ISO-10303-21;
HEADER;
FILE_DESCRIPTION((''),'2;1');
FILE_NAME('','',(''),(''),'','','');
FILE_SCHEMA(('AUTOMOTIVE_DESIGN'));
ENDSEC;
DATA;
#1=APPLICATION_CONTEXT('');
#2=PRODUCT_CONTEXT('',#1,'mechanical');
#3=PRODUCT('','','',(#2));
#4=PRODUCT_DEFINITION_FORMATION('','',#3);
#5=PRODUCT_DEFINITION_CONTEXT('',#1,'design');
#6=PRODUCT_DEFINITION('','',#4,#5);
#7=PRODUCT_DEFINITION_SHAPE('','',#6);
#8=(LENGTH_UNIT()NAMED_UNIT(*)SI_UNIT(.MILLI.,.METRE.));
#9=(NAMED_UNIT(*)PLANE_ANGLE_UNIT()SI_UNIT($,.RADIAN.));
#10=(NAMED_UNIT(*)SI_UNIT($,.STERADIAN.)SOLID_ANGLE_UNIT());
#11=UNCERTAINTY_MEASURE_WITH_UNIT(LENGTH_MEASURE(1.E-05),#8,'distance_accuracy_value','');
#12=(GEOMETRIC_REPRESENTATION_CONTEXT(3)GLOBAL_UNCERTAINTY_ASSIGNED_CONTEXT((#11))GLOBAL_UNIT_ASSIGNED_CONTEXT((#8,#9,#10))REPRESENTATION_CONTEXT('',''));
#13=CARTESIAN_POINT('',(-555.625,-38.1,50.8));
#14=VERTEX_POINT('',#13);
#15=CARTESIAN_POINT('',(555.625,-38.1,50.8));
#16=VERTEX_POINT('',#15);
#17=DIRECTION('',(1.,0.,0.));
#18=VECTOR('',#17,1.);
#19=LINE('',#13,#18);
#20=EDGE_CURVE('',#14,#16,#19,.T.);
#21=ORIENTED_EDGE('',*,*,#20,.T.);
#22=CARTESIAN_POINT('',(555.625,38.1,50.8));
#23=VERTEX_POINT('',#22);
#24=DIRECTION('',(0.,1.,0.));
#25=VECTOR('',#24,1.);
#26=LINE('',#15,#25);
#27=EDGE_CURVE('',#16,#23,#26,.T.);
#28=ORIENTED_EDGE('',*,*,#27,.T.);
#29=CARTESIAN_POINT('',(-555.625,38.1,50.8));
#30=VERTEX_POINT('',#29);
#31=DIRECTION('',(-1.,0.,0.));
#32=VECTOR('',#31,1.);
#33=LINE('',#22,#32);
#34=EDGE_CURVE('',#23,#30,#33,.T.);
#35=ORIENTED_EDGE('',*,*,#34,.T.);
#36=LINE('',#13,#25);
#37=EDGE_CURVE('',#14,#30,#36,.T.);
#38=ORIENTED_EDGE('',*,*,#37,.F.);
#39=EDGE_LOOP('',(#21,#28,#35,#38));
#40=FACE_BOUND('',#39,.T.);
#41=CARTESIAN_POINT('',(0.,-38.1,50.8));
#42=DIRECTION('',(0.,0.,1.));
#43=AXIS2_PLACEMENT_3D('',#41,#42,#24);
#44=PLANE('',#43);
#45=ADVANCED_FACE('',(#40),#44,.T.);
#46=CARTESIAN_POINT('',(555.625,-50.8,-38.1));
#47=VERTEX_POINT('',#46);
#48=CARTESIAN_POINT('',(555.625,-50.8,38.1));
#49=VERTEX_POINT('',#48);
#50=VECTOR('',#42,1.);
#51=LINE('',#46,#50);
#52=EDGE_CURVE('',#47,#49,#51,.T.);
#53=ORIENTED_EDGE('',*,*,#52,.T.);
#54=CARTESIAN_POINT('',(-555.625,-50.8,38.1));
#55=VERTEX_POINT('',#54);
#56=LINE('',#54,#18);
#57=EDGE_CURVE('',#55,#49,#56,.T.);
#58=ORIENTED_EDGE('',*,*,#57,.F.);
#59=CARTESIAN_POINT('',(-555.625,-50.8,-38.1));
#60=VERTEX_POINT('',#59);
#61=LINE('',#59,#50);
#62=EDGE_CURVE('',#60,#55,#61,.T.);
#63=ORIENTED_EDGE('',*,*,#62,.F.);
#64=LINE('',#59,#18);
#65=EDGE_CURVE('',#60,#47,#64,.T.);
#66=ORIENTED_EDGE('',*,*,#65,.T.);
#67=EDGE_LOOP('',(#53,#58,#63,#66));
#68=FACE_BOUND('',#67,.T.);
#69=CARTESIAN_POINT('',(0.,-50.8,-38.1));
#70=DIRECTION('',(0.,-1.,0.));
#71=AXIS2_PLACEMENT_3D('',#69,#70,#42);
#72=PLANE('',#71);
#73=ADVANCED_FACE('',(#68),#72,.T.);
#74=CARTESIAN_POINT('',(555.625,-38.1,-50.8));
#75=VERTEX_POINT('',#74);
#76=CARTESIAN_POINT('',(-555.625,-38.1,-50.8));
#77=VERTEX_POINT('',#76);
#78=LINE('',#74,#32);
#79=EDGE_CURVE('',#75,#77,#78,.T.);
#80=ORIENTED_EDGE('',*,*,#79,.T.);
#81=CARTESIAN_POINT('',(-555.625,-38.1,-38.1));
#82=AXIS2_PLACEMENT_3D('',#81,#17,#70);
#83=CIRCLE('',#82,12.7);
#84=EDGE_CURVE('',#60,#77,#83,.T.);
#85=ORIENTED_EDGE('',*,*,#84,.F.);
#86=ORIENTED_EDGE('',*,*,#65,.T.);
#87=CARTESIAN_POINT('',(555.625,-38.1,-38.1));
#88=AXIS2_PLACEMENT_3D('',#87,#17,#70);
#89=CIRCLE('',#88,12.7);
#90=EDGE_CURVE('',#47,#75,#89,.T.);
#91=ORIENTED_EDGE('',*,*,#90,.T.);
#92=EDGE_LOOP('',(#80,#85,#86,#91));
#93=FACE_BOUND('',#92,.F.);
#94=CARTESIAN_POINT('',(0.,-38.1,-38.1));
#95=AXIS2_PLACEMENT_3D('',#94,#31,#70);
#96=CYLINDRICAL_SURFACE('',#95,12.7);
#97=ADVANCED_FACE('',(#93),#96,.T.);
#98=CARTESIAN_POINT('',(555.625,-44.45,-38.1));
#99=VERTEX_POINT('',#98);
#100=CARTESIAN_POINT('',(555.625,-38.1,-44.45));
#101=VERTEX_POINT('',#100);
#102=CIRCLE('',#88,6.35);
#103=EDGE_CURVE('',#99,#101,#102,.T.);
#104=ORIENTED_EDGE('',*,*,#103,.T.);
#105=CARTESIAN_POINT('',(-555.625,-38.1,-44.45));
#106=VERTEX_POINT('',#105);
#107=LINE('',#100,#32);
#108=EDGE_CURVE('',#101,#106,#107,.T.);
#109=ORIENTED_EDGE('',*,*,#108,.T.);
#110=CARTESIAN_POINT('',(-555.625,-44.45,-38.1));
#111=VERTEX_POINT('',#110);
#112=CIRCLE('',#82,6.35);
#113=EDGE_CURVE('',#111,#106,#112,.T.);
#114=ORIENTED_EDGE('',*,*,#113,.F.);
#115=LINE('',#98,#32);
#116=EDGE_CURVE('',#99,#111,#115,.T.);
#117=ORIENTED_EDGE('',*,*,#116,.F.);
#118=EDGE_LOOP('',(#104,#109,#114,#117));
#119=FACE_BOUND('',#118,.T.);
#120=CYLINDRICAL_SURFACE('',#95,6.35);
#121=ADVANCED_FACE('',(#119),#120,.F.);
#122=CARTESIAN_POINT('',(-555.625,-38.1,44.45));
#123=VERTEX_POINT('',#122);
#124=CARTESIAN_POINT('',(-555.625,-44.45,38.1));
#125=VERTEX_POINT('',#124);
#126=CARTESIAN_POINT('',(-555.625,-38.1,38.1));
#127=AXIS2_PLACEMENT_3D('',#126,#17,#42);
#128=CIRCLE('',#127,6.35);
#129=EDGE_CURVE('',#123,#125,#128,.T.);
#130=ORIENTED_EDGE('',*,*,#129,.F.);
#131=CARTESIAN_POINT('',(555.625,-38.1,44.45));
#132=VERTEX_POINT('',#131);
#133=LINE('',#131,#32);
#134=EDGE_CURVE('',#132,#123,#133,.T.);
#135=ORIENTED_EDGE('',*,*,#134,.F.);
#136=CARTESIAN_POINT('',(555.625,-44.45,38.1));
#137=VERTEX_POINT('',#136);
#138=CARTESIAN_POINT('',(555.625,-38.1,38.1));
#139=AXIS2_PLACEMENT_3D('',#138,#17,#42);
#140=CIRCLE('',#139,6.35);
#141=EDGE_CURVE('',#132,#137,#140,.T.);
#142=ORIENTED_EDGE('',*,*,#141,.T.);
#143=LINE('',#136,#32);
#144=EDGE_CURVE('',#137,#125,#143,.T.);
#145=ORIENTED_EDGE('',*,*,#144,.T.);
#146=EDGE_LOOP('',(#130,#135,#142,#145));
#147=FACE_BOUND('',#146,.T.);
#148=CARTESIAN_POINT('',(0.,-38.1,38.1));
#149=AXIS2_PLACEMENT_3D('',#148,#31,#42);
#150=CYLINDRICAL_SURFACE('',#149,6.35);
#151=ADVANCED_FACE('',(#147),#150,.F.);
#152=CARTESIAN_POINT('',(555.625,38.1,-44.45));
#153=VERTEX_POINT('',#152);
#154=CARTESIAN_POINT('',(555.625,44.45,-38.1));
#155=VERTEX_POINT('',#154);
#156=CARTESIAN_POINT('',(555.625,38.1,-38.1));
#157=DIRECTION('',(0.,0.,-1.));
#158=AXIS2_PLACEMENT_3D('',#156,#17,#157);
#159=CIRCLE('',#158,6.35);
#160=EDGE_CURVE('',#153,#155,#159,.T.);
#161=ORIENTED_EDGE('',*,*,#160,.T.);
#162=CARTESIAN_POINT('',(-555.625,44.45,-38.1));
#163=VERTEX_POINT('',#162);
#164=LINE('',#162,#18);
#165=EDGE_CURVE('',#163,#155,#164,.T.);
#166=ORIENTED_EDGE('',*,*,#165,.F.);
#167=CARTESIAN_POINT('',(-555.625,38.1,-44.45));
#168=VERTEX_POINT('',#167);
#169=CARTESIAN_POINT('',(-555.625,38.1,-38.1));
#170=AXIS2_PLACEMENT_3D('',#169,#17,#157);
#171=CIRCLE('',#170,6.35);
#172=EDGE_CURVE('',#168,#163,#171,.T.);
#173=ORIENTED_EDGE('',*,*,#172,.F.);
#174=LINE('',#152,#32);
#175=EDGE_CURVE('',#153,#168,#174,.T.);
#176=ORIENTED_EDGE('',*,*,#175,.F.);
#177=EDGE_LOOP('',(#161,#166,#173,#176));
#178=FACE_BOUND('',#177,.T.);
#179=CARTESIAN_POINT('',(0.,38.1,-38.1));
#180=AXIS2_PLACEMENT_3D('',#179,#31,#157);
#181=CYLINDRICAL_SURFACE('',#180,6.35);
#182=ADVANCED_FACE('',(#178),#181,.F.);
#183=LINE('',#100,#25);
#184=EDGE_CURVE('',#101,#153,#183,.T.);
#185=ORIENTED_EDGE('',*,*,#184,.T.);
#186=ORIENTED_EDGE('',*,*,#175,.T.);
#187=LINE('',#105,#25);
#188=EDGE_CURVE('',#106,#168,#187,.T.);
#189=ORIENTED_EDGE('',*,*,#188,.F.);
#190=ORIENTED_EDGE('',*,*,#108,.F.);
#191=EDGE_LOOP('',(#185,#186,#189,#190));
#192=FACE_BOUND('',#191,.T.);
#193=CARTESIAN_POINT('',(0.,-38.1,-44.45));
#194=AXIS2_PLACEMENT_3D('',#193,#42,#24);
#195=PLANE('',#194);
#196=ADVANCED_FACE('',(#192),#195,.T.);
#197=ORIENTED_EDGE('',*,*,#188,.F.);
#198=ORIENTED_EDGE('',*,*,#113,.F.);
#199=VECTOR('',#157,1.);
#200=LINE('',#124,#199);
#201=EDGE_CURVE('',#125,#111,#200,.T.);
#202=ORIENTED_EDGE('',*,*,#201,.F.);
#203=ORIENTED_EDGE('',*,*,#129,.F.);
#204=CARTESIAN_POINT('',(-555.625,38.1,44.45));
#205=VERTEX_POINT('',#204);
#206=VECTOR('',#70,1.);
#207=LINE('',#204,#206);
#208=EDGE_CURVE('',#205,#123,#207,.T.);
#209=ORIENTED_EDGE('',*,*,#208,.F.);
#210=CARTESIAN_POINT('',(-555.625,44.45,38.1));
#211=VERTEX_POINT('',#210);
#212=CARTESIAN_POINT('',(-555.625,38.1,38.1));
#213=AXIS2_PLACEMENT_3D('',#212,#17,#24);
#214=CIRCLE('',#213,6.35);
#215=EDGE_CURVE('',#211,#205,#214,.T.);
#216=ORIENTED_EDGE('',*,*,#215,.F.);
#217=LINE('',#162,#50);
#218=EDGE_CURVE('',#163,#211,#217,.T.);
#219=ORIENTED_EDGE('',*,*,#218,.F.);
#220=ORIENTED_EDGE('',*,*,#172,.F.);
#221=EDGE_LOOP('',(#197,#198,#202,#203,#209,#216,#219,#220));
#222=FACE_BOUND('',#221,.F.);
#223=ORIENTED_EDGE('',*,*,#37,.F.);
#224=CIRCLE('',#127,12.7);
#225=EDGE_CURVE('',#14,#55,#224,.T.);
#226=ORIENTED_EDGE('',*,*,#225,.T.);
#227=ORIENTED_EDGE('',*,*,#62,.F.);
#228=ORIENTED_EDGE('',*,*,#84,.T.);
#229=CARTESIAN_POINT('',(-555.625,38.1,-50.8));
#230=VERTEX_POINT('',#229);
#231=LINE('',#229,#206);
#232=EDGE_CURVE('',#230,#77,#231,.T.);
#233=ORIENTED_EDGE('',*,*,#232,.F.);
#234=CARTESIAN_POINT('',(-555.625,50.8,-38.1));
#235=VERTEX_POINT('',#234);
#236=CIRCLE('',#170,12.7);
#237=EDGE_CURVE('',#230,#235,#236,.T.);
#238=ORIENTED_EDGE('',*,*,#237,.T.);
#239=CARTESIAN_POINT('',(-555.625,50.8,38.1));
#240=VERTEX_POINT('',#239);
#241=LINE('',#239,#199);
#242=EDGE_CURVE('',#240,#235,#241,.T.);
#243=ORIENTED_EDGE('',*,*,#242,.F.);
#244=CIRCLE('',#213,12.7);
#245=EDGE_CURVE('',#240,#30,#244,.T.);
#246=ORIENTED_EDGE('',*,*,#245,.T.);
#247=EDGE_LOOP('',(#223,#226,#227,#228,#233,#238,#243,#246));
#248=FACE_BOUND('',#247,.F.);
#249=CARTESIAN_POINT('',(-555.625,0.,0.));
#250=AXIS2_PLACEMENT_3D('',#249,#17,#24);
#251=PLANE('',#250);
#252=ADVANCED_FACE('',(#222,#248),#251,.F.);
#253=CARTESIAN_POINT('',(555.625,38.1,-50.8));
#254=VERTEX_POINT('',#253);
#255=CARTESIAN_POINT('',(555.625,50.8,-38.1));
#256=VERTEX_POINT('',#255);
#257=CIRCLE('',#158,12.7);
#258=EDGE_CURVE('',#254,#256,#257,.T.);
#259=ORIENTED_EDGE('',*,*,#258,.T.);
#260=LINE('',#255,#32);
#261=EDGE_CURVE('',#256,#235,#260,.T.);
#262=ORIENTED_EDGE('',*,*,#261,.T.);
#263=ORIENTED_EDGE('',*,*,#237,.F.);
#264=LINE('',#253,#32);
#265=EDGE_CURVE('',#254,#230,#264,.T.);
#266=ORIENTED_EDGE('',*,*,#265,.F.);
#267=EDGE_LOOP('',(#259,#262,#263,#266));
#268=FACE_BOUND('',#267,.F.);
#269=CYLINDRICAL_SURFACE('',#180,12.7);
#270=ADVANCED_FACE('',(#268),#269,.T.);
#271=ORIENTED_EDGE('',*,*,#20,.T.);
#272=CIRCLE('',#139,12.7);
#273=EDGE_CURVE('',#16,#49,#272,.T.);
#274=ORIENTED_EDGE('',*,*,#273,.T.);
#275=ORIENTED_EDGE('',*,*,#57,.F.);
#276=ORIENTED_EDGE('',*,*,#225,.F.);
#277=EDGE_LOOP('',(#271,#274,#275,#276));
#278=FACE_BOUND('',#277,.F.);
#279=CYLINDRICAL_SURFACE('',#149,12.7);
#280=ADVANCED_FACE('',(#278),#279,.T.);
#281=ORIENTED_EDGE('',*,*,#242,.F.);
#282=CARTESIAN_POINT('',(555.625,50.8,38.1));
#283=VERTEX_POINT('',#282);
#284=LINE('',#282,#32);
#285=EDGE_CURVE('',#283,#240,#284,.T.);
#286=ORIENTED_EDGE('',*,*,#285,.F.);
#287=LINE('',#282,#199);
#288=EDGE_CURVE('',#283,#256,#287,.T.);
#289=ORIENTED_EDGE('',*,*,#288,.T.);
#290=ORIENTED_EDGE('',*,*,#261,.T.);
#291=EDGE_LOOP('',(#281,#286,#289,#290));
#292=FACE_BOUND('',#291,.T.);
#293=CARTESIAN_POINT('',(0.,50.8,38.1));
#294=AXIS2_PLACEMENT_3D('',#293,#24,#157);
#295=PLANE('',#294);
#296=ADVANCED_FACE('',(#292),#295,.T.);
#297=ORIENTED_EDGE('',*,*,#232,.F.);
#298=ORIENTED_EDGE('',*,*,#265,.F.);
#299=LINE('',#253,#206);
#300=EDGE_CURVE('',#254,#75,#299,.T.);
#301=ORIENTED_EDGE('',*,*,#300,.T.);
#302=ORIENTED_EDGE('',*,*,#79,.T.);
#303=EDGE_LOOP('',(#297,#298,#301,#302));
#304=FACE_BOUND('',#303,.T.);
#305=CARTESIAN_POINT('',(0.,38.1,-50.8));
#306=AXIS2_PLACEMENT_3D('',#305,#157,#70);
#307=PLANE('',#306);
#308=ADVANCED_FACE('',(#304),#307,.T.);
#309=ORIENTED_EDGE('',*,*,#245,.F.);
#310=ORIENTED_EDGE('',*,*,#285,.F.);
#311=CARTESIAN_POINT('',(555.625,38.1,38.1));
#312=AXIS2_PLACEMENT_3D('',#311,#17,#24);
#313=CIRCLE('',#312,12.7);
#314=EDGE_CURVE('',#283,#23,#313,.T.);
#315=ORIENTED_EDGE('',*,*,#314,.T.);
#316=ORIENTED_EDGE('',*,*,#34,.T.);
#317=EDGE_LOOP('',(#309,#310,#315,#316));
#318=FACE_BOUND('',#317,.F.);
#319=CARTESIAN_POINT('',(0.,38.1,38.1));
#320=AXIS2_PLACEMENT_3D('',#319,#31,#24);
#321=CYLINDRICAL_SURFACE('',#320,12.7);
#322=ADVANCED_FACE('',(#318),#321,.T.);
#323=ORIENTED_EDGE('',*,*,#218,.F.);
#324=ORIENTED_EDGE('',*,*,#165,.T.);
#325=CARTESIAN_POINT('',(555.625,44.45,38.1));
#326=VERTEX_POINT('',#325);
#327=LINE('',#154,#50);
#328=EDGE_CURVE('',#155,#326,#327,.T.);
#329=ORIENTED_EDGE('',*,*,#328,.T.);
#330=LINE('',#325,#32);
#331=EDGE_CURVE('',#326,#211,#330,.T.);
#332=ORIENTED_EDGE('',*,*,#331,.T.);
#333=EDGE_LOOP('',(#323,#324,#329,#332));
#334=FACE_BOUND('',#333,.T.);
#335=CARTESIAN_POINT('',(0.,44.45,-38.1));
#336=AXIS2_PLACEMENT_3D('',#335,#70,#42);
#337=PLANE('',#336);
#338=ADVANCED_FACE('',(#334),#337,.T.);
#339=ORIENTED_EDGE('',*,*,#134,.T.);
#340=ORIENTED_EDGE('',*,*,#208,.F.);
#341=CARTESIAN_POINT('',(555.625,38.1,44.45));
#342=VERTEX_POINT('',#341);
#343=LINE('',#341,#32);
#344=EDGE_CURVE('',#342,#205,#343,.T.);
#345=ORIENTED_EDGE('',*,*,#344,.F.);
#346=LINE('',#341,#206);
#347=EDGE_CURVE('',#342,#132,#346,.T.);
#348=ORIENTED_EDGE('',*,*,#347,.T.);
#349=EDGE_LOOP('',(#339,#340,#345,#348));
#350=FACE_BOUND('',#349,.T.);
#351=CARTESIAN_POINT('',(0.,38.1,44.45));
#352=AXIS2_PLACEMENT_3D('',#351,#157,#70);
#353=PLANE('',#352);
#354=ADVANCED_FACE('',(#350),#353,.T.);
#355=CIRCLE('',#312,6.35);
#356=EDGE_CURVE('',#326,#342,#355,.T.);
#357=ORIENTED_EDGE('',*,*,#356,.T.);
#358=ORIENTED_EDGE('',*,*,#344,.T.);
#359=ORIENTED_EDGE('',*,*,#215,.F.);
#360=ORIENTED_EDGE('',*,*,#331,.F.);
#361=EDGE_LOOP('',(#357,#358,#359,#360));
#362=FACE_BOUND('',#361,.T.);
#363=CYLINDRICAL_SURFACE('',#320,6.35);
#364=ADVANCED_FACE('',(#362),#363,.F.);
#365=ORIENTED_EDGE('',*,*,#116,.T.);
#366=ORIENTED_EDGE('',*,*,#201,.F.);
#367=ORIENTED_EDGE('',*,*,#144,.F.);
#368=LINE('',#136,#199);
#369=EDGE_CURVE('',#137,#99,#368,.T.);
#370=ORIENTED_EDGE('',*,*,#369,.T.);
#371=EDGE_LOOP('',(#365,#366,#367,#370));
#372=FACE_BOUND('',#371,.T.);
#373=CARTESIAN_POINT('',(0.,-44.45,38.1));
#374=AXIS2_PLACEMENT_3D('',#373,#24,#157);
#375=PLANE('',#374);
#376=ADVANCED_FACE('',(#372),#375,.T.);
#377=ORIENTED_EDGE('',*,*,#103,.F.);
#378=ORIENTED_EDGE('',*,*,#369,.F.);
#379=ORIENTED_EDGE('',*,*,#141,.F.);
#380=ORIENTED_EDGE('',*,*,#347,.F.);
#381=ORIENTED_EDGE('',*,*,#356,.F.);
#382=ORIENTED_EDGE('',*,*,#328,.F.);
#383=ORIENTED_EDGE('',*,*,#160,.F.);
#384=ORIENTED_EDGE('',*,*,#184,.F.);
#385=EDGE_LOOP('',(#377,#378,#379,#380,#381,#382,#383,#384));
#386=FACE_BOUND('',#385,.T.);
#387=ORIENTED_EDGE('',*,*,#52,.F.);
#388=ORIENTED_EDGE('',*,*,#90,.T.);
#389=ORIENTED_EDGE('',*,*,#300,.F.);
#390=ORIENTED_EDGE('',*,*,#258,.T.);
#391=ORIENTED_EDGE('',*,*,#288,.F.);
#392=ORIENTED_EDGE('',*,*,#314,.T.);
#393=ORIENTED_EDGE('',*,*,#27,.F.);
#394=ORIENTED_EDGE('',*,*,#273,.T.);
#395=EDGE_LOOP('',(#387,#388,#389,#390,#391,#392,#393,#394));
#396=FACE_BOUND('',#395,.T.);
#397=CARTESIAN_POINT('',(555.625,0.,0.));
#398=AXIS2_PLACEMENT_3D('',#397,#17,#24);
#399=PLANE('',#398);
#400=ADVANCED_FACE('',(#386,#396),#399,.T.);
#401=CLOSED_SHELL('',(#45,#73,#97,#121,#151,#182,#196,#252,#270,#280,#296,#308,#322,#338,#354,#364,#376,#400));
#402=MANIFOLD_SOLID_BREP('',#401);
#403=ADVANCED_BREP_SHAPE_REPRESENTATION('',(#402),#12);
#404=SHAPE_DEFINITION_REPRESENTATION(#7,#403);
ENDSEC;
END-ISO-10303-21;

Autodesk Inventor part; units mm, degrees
ref_plane "YZ Plane" through (0, 0, 0) normal (1, 0, 0) x (0, 1, 0)
ref_plane "XZ Plane" through (0, 0, 0) normal (0, 1, 0) x (-1, 0, 0)
ref_plane "XY Plane" through (0, 0, 0) normal (0, 0, 1) x (1, 0, 0)
sketch "Sketch5" plane through (0, 0, 0) normal (1, 0, 0) x (0, 1, 0)
  line L0 (-38.1, 50.8) -> (38.1, 50.8)
  line L1 (50.8, 38.1) -> (50.8, -38.1)
  line L2 (38.1, -50.8) -> (-38.1, -50.8)
  line L3 (-50.8, -38.1) -> (-50.8, 38.1)
  line L4 (-50.8, 50.8) -> (50.8, -50.8) construction
  line L5 (50.8, 50.8) -> (-50.8, -50.8) construction
  arc A0 (50.8, 38.1) -> (38.1, 50.8) centre (38.1, 38.1) ccw
  arc A1 (38.1, -50.8) -> (50.8, -38.1) centre (38.1, -38.1) ccw
  arc A2 (-50.8, -38.1) -> (-38.1, -50.8) centre (-38.1, -38.1) ccw
  arc A3 (-38.1, 50.8) -> (-50.8, 38.1) centre (-38.1, 38.1) ccw
  line L6 (44.45, -38.1) -> (44.45, 38.1)
  arc A4 (44.45, 38.1) -> (38.1, 44.45) centre (38.1, 38.1) ccw
  line L7 (38.1, 44.45) -> (-38.1, 44.45)
  arc A5 (-38.1, 44.45) -> (-44.45, 38.1) centre (-38.1, 38.1) ccw
  line L8 (-44.45, 38.1) -> (-44.45, -38.1)
  arc A6 (-44.45, -38.1) -> (-38.1, -44.45) centre (-38.1, -38.1) ccw
  line L9 (-38.1, -44.45) -> (38.1, -44.45)
  arc A7 (38.1, -44.45) -> (44.45, -38.1) centre (38.1, -38.1) ccw
  point P0 (0, 0)
  dimension "d6" = 101.6
  dimension "d7" = 101.6
  dimension "d8" = 12.7
  dimension "d9" = 6.35
extrude "Extrusion4" add sketch "Sketch5" along normal mid plane 1111.25
properties part number "Model-1_Base Tube-1" material "SS304"
